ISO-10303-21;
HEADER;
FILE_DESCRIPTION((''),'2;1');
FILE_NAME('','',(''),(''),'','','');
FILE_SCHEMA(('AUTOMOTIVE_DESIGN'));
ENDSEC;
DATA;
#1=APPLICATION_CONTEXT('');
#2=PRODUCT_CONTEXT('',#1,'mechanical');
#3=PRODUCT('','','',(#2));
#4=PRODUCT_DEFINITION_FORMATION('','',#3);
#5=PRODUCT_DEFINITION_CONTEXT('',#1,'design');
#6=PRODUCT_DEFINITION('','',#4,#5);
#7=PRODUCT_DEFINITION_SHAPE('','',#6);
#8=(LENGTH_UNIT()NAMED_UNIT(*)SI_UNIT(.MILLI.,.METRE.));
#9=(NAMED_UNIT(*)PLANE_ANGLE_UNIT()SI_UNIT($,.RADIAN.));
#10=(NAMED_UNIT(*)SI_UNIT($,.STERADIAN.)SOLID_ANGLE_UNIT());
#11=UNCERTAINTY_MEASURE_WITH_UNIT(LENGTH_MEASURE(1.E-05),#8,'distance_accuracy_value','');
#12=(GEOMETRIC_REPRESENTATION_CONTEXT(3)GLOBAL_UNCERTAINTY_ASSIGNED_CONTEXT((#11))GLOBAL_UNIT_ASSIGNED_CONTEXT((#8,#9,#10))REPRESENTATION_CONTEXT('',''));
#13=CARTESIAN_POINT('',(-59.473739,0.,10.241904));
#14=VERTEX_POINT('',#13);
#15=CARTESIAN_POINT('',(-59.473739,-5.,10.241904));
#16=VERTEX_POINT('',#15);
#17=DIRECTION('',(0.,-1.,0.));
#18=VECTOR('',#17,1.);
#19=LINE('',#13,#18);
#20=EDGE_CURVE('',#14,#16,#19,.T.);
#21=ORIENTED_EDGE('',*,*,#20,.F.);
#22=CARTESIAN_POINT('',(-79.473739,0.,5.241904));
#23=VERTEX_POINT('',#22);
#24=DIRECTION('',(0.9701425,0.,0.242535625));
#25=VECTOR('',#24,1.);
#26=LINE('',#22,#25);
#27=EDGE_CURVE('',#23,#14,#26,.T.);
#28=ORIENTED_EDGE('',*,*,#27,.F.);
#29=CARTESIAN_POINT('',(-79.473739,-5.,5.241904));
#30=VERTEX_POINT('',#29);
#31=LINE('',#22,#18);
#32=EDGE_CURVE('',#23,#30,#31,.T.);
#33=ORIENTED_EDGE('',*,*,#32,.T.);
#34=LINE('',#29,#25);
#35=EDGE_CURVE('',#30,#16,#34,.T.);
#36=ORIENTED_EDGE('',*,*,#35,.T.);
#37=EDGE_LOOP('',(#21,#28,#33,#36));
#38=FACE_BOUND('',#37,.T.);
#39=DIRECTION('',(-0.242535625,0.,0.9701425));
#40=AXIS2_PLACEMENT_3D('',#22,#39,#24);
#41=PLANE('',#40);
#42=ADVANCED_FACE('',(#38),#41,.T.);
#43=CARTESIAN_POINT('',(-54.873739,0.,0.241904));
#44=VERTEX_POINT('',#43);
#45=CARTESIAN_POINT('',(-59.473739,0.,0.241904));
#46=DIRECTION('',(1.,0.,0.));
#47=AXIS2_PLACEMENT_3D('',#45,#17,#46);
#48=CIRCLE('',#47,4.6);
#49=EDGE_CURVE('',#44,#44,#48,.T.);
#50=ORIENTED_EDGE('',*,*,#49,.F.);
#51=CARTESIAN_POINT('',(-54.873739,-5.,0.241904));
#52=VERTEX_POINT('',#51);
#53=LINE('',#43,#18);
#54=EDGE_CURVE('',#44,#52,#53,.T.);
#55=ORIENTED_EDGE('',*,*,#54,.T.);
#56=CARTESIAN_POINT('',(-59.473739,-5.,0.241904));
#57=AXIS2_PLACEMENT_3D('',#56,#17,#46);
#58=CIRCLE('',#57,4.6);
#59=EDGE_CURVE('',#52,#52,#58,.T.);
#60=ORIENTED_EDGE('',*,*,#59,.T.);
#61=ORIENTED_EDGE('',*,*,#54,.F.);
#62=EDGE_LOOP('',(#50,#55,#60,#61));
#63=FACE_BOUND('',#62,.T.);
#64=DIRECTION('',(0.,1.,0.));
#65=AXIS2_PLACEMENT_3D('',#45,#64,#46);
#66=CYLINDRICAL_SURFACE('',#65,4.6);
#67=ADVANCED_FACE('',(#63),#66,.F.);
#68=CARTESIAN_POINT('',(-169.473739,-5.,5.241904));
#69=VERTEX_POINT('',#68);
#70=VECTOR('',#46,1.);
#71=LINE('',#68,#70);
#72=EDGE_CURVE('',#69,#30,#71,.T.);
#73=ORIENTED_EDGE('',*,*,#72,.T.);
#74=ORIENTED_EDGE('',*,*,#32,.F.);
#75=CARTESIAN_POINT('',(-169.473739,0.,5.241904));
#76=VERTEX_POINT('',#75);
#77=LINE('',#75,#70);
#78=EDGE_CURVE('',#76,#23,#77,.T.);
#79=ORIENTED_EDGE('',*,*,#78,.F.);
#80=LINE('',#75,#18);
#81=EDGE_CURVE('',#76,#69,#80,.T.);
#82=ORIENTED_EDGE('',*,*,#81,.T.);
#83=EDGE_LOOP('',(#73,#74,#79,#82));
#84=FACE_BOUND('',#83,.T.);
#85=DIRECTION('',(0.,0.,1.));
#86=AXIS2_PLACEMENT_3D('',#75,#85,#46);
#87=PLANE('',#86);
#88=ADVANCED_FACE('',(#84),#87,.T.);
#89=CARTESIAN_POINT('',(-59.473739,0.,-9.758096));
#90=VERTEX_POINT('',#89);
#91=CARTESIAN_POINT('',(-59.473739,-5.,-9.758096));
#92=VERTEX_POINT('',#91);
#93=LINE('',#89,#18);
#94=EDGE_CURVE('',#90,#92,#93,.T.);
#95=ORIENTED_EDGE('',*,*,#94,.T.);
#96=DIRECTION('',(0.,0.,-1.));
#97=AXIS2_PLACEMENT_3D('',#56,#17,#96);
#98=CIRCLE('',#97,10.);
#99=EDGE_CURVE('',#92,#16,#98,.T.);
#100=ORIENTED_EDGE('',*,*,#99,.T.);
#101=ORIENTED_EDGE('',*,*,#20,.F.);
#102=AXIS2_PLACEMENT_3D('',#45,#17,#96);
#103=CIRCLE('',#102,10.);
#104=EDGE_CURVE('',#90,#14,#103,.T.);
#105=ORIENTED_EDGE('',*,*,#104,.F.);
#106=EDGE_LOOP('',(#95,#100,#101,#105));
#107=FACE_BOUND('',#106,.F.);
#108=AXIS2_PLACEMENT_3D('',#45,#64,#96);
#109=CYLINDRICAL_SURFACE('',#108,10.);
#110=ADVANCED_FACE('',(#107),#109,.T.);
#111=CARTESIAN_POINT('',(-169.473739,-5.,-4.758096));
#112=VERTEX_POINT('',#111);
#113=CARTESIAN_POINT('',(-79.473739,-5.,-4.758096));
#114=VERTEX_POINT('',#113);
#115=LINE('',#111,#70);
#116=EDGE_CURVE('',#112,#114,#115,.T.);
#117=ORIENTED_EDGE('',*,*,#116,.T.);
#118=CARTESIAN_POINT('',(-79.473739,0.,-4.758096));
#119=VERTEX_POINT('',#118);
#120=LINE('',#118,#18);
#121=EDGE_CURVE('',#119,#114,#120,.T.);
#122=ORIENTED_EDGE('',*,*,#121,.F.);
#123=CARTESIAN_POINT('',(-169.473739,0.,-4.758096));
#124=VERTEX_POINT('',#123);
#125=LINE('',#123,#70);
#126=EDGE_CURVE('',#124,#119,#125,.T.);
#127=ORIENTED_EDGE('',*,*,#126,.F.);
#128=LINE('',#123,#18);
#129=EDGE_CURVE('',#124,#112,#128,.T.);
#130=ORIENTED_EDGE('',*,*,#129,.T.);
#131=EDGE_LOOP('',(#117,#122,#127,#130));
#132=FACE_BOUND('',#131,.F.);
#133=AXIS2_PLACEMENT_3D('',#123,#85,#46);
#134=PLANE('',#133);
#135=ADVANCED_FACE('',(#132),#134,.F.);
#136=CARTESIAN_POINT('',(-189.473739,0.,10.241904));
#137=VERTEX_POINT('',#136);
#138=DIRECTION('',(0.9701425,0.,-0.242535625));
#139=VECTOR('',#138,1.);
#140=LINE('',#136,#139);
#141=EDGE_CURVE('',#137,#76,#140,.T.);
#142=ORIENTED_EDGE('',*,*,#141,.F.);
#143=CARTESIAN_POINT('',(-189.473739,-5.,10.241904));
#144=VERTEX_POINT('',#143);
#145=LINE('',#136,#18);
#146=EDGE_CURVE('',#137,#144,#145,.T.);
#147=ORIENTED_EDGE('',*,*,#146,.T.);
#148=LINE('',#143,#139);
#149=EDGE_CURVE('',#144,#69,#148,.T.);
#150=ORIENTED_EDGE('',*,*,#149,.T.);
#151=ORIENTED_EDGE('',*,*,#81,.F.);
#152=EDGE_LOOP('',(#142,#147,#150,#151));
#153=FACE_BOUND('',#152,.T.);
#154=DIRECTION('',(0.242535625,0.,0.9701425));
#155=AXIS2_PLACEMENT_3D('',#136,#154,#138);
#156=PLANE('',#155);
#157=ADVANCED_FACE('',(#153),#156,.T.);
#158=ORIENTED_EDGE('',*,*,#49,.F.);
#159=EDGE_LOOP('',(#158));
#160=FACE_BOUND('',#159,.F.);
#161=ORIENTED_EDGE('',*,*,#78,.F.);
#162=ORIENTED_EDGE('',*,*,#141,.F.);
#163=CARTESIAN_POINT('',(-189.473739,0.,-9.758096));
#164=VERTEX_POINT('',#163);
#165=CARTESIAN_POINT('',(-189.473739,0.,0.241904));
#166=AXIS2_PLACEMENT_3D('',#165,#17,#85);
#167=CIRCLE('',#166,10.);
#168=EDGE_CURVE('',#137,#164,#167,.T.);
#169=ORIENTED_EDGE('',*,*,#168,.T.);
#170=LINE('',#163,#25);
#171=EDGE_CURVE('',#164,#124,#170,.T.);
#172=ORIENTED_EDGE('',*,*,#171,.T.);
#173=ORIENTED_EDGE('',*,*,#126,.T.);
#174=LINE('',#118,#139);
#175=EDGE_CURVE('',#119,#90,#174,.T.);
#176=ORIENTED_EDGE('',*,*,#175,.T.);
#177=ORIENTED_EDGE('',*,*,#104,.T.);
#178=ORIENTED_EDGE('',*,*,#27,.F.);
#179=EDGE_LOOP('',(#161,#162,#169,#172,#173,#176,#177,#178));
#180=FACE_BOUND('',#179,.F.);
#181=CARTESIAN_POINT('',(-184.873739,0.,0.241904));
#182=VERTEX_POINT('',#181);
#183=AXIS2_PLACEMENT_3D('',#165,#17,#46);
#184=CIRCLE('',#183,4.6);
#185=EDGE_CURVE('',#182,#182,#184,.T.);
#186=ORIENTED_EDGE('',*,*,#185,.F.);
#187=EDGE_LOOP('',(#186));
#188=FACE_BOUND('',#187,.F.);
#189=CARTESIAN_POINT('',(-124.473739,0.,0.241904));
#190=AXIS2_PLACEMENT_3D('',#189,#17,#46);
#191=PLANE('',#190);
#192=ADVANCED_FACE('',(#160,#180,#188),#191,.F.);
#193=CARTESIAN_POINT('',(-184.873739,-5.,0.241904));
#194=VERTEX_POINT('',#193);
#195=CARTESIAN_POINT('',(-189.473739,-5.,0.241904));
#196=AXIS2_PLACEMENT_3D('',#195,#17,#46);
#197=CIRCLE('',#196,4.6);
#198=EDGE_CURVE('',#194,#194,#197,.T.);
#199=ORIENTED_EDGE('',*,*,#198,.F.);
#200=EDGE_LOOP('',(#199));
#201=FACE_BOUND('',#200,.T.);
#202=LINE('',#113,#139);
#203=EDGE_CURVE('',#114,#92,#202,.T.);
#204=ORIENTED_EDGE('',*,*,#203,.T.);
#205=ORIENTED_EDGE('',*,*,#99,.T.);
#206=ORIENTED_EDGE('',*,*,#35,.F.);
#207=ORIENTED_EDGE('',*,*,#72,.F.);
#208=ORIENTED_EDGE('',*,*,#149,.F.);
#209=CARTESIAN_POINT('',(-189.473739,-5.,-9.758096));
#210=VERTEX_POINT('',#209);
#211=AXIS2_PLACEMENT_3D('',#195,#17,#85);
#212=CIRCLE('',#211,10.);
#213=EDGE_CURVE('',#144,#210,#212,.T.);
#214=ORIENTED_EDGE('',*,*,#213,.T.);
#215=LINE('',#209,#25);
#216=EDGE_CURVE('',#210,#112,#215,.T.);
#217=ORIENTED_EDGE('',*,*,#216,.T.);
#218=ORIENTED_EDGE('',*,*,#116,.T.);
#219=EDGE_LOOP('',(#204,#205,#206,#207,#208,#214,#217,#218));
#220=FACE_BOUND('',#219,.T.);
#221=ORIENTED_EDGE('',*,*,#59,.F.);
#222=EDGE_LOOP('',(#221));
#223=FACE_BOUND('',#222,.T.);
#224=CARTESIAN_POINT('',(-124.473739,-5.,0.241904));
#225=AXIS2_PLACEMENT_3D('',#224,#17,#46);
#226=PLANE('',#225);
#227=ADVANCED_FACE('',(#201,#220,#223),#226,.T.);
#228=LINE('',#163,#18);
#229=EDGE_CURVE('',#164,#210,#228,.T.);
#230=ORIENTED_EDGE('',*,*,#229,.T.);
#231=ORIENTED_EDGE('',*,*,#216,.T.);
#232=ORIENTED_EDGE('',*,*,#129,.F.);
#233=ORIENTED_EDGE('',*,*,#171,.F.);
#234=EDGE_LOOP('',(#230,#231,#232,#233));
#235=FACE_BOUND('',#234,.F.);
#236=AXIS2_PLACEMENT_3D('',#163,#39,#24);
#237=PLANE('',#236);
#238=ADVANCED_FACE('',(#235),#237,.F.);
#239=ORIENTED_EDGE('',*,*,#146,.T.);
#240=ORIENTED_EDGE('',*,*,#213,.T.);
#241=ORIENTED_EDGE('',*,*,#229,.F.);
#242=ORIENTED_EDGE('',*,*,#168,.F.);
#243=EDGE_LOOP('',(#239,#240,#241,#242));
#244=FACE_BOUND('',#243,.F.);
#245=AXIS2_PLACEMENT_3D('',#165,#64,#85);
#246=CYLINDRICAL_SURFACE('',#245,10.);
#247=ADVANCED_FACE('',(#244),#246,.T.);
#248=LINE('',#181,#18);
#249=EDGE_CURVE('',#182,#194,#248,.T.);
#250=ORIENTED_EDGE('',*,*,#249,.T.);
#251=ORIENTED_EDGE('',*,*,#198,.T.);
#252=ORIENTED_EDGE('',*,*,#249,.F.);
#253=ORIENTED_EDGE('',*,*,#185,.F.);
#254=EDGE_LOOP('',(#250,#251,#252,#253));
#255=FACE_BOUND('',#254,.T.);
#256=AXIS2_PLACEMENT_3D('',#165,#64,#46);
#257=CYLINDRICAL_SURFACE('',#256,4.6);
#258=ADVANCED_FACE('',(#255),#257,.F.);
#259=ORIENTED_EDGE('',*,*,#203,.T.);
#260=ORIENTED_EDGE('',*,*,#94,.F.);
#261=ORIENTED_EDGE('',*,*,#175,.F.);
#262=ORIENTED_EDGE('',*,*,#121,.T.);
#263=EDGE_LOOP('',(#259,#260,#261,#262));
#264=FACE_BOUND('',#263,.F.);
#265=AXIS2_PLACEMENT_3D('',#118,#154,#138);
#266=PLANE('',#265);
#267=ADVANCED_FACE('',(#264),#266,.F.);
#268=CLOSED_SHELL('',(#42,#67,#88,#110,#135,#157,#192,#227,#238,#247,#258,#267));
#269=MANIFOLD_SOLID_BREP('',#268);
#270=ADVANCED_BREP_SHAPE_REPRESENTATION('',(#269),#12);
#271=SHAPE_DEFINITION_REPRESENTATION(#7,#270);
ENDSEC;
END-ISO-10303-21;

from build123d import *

# Parameters (mm, degrees)
SKETCH_R     = 4.6
PAD001_DEPTH = 5


with BuildPart() as part:
    # Sketch → Pad001 (new body)
    with BuildSketch(Plane.XZ):
        with BuildLine():
            ThreePointArc((-59.473739, -9.758096), (-49.473739, 0.241904), (-59.473739, 10.241904))
            Line((-79.473739, 5.241904), (-59.473739, 10.241904))
            Line((-169.473739, 5.241904), (-79.473739, 5.241904))
            Line((-189.473739, 10.241904), (-169.473739, 5.241904))
            ThreePointArc((-189.473739, 10.241904), (-199.473739, 0.241904), (-189.473739, -9.758096))
            Line((-189.473739, -9.758096), (-169.473739, -4.758096))
            Line((-169.473739, -4.758096), (-79.473739, -4.758096))
            Line((-79.473739, -4.758096), (-59.473739, -9.758096))
        make_face()
        with Locations((-59.473739, 0.241904)):
            Circle(SKETCH_R, mode=Mode.SUBTRACT)
        with Locations((-189.473739, 0.241904)):
            Circle(SKETCH_R, mode=Mode.SUBTRACT)
    extrude(amount=PAD001_DEPTH)


solid = part.part
